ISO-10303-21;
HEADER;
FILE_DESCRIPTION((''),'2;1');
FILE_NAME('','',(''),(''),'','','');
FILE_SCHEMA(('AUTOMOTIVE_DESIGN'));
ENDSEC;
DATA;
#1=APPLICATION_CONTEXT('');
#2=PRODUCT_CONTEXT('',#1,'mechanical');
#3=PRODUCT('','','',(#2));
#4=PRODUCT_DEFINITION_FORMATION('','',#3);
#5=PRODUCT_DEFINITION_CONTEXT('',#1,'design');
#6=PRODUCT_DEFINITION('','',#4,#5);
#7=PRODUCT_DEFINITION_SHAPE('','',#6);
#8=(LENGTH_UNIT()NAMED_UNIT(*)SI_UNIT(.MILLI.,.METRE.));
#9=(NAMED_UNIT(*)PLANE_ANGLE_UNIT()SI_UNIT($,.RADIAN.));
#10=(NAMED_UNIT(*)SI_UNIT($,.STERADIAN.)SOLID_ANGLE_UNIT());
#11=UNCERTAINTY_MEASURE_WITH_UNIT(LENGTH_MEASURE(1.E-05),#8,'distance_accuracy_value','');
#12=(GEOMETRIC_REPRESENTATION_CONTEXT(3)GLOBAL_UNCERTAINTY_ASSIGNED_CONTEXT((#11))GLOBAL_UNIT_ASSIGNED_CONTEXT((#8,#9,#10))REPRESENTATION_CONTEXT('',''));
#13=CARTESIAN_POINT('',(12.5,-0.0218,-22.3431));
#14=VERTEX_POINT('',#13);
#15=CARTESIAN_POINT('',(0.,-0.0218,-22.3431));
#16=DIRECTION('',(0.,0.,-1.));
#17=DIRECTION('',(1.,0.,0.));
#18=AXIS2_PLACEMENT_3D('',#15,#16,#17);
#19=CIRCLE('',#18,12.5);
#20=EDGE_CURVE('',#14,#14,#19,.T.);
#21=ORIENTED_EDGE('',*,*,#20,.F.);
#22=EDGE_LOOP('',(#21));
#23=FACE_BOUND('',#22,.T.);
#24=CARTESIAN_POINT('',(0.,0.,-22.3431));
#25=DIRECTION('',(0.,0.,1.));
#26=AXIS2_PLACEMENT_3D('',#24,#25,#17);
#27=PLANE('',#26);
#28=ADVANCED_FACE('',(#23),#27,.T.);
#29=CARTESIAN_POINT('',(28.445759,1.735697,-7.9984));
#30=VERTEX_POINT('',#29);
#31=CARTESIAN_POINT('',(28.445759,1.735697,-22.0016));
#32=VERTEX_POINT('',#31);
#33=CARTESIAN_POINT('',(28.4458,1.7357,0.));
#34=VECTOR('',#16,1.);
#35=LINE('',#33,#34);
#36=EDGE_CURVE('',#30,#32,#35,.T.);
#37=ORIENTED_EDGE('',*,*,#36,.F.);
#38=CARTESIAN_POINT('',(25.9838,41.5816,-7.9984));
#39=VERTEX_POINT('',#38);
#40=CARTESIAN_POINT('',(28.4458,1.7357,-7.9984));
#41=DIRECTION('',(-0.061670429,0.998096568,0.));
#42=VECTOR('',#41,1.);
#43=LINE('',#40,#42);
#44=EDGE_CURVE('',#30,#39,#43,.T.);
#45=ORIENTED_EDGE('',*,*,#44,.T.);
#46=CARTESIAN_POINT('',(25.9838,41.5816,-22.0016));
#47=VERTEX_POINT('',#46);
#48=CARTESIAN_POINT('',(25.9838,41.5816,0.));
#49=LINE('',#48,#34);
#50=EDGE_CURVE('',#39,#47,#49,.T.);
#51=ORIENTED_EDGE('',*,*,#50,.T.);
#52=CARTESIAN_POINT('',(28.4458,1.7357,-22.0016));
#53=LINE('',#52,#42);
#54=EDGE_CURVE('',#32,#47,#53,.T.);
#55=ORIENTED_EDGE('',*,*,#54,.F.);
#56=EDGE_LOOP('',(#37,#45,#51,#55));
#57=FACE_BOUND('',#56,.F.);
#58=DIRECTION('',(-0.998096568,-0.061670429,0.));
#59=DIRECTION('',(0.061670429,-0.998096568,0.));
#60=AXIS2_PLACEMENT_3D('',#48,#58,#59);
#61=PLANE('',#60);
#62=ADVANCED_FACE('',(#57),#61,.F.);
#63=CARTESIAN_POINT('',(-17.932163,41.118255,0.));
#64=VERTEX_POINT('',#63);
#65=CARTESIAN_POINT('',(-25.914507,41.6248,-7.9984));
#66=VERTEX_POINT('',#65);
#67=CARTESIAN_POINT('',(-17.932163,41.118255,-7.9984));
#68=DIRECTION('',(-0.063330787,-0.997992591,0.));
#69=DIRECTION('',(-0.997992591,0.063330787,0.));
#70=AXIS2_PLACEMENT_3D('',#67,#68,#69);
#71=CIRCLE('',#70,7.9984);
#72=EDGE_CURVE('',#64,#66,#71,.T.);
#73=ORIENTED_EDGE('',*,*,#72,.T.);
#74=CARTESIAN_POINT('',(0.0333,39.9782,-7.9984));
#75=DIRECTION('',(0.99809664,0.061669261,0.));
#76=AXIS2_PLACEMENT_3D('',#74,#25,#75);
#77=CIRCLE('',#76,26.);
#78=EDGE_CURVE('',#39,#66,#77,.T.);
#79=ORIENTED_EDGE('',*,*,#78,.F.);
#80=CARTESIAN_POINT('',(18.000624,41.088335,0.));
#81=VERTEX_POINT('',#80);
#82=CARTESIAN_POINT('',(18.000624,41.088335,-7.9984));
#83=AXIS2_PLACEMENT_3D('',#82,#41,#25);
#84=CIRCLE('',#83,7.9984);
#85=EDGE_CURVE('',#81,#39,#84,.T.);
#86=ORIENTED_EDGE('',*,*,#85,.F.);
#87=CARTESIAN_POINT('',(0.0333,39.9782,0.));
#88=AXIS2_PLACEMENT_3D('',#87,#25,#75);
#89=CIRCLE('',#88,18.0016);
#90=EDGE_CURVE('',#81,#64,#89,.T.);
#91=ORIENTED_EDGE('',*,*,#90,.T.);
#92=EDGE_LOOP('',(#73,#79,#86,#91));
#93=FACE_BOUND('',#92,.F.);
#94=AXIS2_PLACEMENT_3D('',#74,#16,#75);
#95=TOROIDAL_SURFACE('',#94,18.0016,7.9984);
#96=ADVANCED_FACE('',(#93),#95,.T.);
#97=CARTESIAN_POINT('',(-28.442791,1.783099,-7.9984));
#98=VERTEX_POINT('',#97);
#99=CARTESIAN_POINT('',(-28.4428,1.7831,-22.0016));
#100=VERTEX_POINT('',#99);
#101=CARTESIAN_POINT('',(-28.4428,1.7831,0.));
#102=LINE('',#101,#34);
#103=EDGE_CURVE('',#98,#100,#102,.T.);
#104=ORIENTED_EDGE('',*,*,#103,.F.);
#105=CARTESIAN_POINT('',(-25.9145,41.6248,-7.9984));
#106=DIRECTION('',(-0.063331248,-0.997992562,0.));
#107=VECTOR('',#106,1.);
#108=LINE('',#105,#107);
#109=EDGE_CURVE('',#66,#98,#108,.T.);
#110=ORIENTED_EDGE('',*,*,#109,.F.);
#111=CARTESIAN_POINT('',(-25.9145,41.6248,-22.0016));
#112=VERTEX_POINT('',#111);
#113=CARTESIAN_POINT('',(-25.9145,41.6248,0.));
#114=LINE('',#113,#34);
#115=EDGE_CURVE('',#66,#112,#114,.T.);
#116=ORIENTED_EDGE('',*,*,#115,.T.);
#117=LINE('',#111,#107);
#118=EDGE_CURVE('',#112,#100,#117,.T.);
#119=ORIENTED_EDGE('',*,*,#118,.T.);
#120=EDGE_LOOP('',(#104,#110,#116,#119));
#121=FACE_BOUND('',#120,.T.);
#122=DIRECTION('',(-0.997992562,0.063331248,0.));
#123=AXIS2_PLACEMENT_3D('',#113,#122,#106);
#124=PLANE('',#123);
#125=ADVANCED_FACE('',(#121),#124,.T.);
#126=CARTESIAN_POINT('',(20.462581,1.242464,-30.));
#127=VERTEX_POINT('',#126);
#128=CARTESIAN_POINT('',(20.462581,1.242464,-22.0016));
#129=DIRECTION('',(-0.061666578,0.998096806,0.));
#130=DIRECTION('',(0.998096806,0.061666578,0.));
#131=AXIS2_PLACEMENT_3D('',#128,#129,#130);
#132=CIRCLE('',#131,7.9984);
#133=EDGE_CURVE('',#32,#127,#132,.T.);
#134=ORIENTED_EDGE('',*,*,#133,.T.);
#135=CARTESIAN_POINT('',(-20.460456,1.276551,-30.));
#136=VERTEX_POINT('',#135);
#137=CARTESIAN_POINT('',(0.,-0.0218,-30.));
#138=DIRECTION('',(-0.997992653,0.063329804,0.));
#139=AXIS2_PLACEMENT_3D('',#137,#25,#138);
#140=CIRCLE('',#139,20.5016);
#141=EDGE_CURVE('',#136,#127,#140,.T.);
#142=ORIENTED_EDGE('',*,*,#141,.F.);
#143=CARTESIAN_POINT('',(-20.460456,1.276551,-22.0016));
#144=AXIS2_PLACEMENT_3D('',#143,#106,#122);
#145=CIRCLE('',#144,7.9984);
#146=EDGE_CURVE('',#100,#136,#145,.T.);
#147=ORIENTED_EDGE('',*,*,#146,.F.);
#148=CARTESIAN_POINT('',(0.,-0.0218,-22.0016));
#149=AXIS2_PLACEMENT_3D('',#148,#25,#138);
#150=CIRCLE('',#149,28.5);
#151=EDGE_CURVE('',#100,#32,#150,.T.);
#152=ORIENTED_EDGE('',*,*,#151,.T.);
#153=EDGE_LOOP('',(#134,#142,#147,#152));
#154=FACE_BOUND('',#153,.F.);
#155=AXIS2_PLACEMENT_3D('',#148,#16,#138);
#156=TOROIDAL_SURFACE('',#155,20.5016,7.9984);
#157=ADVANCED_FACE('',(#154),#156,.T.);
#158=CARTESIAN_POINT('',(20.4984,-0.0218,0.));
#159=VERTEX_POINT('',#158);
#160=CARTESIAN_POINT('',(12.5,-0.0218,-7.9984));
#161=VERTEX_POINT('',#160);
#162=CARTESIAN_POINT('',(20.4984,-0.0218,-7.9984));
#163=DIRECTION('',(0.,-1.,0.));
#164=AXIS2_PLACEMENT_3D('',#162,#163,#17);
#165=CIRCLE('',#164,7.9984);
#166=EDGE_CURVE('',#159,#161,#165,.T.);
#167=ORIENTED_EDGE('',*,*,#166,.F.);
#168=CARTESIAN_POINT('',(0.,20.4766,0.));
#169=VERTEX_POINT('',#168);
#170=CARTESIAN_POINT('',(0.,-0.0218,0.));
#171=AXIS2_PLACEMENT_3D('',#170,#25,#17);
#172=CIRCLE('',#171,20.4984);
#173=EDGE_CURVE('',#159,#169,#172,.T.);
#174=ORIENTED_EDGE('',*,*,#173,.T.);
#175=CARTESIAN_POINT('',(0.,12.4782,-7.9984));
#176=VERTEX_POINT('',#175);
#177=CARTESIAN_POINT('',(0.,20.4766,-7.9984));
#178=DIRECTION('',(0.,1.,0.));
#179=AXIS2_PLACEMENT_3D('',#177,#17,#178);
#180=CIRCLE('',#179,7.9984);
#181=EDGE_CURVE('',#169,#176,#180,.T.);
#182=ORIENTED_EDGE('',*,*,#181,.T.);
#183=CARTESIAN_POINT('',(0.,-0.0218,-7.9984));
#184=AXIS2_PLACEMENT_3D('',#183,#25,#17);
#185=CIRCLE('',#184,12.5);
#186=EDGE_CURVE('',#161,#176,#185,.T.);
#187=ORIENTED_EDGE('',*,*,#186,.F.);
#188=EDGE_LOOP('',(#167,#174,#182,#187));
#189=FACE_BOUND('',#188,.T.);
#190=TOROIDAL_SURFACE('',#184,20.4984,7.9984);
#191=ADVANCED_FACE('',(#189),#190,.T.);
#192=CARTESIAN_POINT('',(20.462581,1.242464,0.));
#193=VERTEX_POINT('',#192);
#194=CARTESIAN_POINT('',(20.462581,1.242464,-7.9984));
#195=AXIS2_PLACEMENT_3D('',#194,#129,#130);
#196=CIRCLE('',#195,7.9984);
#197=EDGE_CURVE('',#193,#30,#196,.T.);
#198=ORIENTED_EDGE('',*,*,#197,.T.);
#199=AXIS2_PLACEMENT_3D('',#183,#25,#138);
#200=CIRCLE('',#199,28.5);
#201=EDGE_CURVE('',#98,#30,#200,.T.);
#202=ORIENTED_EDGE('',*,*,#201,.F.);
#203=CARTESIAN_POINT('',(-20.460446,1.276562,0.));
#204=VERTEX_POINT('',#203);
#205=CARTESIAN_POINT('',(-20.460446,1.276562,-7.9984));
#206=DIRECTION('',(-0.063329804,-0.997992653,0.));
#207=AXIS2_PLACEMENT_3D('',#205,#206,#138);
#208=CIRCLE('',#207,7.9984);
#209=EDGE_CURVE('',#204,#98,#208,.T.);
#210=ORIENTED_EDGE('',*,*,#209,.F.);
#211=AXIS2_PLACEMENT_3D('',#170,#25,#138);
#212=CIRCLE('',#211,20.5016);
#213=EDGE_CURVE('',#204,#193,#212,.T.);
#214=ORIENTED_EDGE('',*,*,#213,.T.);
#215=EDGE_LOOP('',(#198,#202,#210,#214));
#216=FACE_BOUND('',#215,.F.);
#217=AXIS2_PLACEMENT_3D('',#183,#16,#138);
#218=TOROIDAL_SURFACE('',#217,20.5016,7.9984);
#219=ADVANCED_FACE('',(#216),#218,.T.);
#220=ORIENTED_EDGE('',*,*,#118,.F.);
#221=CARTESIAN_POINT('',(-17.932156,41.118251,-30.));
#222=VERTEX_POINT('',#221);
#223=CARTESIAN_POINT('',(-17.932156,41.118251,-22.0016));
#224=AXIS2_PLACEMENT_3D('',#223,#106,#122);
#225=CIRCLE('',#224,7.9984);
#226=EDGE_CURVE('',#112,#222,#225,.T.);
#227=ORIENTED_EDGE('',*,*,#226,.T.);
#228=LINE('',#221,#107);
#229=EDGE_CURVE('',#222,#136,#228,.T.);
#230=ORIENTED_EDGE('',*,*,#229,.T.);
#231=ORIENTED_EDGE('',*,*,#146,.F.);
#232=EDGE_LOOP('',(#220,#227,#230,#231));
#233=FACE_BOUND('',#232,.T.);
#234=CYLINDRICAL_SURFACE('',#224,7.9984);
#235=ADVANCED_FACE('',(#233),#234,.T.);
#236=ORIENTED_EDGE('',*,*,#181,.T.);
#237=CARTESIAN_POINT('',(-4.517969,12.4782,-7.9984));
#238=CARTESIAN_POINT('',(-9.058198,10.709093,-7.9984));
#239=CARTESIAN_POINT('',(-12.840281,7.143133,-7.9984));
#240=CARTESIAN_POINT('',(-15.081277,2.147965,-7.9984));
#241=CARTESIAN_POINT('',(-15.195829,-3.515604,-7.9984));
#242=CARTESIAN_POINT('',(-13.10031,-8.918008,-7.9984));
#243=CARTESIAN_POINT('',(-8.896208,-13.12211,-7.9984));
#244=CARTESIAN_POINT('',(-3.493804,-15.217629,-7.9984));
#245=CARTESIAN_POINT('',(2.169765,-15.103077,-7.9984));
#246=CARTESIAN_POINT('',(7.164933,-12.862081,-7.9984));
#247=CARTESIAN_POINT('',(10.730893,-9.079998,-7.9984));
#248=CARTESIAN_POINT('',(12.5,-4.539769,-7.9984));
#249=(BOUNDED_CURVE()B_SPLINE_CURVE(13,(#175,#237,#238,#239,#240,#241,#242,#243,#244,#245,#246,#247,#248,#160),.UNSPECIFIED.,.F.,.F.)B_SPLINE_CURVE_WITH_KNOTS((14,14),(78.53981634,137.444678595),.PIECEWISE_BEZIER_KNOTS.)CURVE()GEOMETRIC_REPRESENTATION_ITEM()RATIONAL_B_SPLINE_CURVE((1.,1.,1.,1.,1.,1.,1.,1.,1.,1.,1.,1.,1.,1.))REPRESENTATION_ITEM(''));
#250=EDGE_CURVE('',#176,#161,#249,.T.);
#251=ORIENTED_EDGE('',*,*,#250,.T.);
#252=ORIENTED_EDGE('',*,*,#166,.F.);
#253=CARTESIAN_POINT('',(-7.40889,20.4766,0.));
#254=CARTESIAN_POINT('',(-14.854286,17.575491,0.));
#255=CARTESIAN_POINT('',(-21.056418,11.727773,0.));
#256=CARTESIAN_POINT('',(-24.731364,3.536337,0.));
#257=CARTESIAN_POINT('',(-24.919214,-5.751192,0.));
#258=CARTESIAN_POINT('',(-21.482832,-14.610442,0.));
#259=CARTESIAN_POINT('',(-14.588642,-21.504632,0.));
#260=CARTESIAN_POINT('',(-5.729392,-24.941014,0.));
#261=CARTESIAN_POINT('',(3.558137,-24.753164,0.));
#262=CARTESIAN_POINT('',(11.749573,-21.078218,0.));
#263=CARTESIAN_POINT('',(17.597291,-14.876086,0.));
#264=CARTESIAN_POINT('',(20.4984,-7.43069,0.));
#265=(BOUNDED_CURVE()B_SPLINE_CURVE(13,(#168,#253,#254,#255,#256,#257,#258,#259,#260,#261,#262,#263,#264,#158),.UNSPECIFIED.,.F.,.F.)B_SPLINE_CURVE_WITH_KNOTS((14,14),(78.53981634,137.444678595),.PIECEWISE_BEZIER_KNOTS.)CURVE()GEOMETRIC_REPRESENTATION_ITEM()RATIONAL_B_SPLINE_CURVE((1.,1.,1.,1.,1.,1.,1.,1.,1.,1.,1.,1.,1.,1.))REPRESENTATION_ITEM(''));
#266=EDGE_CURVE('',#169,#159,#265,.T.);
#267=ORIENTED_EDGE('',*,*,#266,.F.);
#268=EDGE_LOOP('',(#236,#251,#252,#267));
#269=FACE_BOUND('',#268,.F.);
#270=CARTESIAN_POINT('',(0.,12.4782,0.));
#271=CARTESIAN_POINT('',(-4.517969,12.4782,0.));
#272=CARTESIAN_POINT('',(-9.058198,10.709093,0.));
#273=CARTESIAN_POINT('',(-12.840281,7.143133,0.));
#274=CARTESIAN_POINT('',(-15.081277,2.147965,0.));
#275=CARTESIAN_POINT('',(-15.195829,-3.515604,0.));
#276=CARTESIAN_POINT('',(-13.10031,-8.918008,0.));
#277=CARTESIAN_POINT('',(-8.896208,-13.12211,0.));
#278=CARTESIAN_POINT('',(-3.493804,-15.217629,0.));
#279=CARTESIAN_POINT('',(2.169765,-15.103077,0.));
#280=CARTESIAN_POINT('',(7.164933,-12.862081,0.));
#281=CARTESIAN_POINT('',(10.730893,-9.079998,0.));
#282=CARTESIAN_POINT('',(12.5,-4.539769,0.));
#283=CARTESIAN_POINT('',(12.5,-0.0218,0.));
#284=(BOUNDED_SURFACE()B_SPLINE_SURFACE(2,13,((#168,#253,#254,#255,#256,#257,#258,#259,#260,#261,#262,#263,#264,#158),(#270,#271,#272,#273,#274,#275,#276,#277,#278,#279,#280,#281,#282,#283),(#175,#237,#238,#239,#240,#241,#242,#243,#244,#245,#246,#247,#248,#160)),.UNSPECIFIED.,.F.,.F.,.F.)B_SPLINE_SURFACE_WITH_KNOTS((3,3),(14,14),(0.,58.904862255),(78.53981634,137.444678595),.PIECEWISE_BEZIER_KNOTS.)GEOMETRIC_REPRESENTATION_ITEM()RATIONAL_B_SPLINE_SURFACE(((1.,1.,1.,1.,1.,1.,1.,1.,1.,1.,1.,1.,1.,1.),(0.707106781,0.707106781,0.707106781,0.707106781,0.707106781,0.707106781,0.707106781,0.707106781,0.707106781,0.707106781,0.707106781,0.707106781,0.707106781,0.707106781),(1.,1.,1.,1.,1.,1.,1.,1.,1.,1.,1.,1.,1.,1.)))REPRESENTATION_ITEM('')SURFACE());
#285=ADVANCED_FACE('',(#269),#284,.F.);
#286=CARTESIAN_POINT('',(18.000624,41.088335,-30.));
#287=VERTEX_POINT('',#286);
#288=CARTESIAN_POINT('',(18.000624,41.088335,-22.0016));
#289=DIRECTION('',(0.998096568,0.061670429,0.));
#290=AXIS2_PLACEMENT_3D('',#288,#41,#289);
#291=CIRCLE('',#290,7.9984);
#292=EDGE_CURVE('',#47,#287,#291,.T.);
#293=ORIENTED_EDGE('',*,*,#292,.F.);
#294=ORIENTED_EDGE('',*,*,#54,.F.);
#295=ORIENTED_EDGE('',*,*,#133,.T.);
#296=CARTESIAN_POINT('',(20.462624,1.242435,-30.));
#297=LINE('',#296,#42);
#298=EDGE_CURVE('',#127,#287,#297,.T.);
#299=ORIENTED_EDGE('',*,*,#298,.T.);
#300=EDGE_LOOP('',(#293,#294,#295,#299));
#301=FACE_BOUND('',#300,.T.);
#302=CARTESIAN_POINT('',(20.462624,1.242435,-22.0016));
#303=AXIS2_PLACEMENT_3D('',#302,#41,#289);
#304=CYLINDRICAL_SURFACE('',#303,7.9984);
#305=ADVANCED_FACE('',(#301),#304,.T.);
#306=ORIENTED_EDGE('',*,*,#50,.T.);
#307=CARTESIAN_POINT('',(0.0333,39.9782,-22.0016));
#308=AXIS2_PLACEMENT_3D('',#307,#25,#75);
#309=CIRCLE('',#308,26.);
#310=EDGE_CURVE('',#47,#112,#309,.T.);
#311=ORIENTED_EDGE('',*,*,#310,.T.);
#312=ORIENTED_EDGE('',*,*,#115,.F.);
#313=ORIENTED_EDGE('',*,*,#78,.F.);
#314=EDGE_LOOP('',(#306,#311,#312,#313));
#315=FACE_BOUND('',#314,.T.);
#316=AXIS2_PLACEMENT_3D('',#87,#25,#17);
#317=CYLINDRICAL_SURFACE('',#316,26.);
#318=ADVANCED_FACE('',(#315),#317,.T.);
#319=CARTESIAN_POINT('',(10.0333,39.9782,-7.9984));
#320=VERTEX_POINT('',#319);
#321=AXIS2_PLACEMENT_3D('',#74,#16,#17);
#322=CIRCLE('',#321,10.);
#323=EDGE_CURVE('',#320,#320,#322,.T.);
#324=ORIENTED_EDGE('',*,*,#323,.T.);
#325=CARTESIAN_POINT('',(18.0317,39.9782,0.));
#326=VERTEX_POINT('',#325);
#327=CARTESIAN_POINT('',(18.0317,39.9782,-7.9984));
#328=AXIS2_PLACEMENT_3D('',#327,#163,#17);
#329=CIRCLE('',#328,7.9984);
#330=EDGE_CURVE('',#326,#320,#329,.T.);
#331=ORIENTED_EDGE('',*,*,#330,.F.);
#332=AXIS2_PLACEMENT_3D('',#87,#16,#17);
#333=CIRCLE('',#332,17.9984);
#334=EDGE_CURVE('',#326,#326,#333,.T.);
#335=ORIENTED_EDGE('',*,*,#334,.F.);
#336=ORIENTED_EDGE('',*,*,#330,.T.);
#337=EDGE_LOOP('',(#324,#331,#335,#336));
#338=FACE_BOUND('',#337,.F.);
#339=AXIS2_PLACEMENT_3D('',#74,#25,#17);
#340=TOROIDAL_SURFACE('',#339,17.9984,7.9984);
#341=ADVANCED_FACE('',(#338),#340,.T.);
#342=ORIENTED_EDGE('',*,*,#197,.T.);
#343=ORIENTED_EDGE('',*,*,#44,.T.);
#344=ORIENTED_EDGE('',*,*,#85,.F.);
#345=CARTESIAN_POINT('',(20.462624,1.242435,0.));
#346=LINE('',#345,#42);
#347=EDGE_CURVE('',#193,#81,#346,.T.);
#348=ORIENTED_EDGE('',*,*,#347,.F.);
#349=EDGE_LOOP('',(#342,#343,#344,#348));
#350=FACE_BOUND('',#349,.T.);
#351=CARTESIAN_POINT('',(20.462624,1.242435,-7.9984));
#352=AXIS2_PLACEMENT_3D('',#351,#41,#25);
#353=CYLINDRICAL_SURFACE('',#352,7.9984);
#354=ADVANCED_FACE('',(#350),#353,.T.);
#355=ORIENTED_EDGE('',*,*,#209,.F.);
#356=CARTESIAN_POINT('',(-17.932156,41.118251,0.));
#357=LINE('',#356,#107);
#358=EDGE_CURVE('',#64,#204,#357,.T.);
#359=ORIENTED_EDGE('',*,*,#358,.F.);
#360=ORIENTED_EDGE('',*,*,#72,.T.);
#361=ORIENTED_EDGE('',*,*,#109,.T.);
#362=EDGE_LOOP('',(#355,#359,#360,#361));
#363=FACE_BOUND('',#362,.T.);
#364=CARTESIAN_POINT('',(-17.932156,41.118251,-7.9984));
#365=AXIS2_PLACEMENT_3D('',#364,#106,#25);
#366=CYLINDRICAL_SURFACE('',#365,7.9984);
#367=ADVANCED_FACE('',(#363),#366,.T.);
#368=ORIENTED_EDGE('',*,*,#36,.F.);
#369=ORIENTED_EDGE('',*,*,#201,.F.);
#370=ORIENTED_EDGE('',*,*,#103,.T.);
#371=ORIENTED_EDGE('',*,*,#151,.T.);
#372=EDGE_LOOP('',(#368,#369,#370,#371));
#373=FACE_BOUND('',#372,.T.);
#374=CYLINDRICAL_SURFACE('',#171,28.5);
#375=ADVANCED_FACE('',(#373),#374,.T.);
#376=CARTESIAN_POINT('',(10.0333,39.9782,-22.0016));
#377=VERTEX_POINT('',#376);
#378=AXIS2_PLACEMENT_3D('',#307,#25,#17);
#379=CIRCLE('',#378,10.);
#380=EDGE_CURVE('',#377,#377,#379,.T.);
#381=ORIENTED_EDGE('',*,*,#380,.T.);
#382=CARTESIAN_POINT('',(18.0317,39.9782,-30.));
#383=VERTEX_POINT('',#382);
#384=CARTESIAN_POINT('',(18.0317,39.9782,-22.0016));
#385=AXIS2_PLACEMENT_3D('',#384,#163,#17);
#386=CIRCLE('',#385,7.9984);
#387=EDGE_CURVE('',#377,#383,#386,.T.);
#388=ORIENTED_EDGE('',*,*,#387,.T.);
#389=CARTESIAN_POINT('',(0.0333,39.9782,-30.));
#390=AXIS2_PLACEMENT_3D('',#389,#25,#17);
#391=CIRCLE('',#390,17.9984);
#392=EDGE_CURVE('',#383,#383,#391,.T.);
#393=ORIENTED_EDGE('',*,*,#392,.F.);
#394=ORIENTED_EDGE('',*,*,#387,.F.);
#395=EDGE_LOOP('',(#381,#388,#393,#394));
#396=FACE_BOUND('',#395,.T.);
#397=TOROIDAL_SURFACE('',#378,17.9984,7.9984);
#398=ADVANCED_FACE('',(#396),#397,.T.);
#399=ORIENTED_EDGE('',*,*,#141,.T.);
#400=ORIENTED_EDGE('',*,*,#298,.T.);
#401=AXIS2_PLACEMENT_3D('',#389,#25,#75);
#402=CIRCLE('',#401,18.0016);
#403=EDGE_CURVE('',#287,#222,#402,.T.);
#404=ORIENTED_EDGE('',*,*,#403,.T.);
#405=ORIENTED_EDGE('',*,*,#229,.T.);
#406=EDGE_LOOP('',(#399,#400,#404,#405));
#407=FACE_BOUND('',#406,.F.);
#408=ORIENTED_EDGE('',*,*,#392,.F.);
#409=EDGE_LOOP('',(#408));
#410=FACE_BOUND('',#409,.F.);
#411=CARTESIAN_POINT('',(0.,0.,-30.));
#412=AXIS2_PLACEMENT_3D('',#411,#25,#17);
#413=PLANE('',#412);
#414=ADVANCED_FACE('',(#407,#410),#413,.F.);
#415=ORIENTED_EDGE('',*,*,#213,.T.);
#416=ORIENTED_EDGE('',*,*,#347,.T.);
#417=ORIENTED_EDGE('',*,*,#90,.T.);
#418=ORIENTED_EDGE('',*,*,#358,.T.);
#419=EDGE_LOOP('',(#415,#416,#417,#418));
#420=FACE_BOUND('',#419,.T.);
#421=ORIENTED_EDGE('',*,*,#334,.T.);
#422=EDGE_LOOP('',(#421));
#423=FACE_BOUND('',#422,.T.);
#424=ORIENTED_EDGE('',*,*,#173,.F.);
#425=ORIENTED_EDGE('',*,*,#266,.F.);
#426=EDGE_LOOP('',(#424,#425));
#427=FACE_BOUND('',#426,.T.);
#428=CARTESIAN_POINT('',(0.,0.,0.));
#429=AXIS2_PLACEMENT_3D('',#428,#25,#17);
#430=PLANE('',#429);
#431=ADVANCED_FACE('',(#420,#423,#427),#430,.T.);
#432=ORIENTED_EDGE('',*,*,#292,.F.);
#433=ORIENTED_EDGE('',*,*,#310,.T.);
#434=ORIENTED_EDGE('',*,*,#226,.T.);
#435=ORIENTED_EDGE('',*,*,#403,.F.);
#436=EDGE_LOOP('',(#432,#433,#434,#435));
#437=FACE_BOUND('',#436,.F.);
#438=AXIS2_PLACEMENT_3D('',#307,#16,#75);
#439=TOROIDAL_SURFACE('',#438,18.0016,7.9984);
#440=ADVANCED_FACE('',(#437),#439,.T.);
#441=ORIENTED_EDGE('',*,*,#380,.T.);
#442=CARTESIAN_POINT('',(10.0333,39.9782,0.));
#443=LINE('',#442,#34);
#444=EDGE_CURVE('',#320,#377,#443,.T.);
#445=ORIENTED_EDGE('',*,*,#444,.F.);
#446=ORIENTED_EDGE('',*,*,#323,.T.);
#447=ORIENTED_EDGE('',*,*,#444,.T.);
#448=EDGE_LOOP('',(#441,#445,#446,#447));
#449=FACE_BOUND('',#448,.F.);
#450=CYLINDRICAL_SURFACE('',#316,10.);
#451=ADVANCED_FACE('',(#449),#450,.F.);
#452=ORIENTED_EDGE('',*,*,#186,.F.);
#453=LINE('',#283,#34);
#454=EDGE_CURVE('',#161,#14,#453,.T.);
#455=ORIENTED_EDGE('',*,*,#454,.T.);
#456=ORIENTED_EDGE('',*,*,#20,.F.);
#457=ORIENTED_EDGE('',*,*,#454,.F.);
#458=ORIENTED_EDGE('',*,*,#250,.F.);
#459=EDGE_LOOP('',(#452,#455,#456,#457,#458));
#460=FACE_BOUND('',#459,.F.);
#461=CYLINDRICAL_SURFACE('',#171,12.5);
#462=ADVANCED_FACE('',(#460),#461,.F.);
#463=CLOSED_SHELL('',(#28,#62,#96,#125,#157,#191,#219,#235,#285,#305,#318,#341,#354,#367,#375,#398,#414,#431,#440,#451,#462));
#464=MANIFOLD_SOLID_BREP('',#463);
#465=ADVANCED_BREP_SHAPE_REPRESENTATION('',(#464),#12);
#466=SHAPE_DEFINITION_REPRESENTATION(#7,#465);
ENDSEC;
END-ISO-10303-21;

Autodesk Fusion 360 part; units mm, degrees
sketch "Sketch1" plane through (0, 0, 0) normal (0, 0, 1) x (1, 0, 0)
  line L0 (0, -0.0218) -> (0, 150)
  circle A0 centre (0, -0.0218) radius 12.5
  circle A1 centre (0, -0.0218) radius 28.5
  circle A2 centre (0.0333, 39.9782) radius 10
  circle A3 centre (0.0333, 39.9782) radius 26
  line L1 (25.9838, 41.5816) -> (28.4458, 1.7357)
  line L2 (-25.9145, 41.6248) -> (-28.4428, 1.7831)
  dimension "d38" = 16
  dimension "d39" = 25
  dimension "d40" = 20
  dimension "d42" = 40
  dimension "d43" = 16
extrude "Extrude6" add sketch "Sketch1" against normal blind 30 contours A1 A3 | L0 A1 A3 | L0 A1 A3 | A0 | L0 A1 A2 A3 | L0 A1 A2 A3 | A1 A3 L2 | A1 A3 L1
extrude "Extrude7" cut sketch "Sketch1" against normal blind 22.3431 contours A0
fillet "Fillet2" radius 8 1 edges at (-11.6541, 4.4984, 0)
fillet "Fillet2" radius 8 2 edges at (-9.2899, 43.5943, 0) (-9.2899, 36.362, -30)
fillet "Fillet2" radius 8 8 edges at (-0.0237, -28.5218, 0) (27.2148, 21.6586, 0) (0.055, 65.9782, 0) (-27.1786, 21.704, 0) (-27.1786, 21.704, -30) (0.055, 65.9782, -30) (27.2148, 21.6586, -30) (-0.0237, -28.5218, -30)
